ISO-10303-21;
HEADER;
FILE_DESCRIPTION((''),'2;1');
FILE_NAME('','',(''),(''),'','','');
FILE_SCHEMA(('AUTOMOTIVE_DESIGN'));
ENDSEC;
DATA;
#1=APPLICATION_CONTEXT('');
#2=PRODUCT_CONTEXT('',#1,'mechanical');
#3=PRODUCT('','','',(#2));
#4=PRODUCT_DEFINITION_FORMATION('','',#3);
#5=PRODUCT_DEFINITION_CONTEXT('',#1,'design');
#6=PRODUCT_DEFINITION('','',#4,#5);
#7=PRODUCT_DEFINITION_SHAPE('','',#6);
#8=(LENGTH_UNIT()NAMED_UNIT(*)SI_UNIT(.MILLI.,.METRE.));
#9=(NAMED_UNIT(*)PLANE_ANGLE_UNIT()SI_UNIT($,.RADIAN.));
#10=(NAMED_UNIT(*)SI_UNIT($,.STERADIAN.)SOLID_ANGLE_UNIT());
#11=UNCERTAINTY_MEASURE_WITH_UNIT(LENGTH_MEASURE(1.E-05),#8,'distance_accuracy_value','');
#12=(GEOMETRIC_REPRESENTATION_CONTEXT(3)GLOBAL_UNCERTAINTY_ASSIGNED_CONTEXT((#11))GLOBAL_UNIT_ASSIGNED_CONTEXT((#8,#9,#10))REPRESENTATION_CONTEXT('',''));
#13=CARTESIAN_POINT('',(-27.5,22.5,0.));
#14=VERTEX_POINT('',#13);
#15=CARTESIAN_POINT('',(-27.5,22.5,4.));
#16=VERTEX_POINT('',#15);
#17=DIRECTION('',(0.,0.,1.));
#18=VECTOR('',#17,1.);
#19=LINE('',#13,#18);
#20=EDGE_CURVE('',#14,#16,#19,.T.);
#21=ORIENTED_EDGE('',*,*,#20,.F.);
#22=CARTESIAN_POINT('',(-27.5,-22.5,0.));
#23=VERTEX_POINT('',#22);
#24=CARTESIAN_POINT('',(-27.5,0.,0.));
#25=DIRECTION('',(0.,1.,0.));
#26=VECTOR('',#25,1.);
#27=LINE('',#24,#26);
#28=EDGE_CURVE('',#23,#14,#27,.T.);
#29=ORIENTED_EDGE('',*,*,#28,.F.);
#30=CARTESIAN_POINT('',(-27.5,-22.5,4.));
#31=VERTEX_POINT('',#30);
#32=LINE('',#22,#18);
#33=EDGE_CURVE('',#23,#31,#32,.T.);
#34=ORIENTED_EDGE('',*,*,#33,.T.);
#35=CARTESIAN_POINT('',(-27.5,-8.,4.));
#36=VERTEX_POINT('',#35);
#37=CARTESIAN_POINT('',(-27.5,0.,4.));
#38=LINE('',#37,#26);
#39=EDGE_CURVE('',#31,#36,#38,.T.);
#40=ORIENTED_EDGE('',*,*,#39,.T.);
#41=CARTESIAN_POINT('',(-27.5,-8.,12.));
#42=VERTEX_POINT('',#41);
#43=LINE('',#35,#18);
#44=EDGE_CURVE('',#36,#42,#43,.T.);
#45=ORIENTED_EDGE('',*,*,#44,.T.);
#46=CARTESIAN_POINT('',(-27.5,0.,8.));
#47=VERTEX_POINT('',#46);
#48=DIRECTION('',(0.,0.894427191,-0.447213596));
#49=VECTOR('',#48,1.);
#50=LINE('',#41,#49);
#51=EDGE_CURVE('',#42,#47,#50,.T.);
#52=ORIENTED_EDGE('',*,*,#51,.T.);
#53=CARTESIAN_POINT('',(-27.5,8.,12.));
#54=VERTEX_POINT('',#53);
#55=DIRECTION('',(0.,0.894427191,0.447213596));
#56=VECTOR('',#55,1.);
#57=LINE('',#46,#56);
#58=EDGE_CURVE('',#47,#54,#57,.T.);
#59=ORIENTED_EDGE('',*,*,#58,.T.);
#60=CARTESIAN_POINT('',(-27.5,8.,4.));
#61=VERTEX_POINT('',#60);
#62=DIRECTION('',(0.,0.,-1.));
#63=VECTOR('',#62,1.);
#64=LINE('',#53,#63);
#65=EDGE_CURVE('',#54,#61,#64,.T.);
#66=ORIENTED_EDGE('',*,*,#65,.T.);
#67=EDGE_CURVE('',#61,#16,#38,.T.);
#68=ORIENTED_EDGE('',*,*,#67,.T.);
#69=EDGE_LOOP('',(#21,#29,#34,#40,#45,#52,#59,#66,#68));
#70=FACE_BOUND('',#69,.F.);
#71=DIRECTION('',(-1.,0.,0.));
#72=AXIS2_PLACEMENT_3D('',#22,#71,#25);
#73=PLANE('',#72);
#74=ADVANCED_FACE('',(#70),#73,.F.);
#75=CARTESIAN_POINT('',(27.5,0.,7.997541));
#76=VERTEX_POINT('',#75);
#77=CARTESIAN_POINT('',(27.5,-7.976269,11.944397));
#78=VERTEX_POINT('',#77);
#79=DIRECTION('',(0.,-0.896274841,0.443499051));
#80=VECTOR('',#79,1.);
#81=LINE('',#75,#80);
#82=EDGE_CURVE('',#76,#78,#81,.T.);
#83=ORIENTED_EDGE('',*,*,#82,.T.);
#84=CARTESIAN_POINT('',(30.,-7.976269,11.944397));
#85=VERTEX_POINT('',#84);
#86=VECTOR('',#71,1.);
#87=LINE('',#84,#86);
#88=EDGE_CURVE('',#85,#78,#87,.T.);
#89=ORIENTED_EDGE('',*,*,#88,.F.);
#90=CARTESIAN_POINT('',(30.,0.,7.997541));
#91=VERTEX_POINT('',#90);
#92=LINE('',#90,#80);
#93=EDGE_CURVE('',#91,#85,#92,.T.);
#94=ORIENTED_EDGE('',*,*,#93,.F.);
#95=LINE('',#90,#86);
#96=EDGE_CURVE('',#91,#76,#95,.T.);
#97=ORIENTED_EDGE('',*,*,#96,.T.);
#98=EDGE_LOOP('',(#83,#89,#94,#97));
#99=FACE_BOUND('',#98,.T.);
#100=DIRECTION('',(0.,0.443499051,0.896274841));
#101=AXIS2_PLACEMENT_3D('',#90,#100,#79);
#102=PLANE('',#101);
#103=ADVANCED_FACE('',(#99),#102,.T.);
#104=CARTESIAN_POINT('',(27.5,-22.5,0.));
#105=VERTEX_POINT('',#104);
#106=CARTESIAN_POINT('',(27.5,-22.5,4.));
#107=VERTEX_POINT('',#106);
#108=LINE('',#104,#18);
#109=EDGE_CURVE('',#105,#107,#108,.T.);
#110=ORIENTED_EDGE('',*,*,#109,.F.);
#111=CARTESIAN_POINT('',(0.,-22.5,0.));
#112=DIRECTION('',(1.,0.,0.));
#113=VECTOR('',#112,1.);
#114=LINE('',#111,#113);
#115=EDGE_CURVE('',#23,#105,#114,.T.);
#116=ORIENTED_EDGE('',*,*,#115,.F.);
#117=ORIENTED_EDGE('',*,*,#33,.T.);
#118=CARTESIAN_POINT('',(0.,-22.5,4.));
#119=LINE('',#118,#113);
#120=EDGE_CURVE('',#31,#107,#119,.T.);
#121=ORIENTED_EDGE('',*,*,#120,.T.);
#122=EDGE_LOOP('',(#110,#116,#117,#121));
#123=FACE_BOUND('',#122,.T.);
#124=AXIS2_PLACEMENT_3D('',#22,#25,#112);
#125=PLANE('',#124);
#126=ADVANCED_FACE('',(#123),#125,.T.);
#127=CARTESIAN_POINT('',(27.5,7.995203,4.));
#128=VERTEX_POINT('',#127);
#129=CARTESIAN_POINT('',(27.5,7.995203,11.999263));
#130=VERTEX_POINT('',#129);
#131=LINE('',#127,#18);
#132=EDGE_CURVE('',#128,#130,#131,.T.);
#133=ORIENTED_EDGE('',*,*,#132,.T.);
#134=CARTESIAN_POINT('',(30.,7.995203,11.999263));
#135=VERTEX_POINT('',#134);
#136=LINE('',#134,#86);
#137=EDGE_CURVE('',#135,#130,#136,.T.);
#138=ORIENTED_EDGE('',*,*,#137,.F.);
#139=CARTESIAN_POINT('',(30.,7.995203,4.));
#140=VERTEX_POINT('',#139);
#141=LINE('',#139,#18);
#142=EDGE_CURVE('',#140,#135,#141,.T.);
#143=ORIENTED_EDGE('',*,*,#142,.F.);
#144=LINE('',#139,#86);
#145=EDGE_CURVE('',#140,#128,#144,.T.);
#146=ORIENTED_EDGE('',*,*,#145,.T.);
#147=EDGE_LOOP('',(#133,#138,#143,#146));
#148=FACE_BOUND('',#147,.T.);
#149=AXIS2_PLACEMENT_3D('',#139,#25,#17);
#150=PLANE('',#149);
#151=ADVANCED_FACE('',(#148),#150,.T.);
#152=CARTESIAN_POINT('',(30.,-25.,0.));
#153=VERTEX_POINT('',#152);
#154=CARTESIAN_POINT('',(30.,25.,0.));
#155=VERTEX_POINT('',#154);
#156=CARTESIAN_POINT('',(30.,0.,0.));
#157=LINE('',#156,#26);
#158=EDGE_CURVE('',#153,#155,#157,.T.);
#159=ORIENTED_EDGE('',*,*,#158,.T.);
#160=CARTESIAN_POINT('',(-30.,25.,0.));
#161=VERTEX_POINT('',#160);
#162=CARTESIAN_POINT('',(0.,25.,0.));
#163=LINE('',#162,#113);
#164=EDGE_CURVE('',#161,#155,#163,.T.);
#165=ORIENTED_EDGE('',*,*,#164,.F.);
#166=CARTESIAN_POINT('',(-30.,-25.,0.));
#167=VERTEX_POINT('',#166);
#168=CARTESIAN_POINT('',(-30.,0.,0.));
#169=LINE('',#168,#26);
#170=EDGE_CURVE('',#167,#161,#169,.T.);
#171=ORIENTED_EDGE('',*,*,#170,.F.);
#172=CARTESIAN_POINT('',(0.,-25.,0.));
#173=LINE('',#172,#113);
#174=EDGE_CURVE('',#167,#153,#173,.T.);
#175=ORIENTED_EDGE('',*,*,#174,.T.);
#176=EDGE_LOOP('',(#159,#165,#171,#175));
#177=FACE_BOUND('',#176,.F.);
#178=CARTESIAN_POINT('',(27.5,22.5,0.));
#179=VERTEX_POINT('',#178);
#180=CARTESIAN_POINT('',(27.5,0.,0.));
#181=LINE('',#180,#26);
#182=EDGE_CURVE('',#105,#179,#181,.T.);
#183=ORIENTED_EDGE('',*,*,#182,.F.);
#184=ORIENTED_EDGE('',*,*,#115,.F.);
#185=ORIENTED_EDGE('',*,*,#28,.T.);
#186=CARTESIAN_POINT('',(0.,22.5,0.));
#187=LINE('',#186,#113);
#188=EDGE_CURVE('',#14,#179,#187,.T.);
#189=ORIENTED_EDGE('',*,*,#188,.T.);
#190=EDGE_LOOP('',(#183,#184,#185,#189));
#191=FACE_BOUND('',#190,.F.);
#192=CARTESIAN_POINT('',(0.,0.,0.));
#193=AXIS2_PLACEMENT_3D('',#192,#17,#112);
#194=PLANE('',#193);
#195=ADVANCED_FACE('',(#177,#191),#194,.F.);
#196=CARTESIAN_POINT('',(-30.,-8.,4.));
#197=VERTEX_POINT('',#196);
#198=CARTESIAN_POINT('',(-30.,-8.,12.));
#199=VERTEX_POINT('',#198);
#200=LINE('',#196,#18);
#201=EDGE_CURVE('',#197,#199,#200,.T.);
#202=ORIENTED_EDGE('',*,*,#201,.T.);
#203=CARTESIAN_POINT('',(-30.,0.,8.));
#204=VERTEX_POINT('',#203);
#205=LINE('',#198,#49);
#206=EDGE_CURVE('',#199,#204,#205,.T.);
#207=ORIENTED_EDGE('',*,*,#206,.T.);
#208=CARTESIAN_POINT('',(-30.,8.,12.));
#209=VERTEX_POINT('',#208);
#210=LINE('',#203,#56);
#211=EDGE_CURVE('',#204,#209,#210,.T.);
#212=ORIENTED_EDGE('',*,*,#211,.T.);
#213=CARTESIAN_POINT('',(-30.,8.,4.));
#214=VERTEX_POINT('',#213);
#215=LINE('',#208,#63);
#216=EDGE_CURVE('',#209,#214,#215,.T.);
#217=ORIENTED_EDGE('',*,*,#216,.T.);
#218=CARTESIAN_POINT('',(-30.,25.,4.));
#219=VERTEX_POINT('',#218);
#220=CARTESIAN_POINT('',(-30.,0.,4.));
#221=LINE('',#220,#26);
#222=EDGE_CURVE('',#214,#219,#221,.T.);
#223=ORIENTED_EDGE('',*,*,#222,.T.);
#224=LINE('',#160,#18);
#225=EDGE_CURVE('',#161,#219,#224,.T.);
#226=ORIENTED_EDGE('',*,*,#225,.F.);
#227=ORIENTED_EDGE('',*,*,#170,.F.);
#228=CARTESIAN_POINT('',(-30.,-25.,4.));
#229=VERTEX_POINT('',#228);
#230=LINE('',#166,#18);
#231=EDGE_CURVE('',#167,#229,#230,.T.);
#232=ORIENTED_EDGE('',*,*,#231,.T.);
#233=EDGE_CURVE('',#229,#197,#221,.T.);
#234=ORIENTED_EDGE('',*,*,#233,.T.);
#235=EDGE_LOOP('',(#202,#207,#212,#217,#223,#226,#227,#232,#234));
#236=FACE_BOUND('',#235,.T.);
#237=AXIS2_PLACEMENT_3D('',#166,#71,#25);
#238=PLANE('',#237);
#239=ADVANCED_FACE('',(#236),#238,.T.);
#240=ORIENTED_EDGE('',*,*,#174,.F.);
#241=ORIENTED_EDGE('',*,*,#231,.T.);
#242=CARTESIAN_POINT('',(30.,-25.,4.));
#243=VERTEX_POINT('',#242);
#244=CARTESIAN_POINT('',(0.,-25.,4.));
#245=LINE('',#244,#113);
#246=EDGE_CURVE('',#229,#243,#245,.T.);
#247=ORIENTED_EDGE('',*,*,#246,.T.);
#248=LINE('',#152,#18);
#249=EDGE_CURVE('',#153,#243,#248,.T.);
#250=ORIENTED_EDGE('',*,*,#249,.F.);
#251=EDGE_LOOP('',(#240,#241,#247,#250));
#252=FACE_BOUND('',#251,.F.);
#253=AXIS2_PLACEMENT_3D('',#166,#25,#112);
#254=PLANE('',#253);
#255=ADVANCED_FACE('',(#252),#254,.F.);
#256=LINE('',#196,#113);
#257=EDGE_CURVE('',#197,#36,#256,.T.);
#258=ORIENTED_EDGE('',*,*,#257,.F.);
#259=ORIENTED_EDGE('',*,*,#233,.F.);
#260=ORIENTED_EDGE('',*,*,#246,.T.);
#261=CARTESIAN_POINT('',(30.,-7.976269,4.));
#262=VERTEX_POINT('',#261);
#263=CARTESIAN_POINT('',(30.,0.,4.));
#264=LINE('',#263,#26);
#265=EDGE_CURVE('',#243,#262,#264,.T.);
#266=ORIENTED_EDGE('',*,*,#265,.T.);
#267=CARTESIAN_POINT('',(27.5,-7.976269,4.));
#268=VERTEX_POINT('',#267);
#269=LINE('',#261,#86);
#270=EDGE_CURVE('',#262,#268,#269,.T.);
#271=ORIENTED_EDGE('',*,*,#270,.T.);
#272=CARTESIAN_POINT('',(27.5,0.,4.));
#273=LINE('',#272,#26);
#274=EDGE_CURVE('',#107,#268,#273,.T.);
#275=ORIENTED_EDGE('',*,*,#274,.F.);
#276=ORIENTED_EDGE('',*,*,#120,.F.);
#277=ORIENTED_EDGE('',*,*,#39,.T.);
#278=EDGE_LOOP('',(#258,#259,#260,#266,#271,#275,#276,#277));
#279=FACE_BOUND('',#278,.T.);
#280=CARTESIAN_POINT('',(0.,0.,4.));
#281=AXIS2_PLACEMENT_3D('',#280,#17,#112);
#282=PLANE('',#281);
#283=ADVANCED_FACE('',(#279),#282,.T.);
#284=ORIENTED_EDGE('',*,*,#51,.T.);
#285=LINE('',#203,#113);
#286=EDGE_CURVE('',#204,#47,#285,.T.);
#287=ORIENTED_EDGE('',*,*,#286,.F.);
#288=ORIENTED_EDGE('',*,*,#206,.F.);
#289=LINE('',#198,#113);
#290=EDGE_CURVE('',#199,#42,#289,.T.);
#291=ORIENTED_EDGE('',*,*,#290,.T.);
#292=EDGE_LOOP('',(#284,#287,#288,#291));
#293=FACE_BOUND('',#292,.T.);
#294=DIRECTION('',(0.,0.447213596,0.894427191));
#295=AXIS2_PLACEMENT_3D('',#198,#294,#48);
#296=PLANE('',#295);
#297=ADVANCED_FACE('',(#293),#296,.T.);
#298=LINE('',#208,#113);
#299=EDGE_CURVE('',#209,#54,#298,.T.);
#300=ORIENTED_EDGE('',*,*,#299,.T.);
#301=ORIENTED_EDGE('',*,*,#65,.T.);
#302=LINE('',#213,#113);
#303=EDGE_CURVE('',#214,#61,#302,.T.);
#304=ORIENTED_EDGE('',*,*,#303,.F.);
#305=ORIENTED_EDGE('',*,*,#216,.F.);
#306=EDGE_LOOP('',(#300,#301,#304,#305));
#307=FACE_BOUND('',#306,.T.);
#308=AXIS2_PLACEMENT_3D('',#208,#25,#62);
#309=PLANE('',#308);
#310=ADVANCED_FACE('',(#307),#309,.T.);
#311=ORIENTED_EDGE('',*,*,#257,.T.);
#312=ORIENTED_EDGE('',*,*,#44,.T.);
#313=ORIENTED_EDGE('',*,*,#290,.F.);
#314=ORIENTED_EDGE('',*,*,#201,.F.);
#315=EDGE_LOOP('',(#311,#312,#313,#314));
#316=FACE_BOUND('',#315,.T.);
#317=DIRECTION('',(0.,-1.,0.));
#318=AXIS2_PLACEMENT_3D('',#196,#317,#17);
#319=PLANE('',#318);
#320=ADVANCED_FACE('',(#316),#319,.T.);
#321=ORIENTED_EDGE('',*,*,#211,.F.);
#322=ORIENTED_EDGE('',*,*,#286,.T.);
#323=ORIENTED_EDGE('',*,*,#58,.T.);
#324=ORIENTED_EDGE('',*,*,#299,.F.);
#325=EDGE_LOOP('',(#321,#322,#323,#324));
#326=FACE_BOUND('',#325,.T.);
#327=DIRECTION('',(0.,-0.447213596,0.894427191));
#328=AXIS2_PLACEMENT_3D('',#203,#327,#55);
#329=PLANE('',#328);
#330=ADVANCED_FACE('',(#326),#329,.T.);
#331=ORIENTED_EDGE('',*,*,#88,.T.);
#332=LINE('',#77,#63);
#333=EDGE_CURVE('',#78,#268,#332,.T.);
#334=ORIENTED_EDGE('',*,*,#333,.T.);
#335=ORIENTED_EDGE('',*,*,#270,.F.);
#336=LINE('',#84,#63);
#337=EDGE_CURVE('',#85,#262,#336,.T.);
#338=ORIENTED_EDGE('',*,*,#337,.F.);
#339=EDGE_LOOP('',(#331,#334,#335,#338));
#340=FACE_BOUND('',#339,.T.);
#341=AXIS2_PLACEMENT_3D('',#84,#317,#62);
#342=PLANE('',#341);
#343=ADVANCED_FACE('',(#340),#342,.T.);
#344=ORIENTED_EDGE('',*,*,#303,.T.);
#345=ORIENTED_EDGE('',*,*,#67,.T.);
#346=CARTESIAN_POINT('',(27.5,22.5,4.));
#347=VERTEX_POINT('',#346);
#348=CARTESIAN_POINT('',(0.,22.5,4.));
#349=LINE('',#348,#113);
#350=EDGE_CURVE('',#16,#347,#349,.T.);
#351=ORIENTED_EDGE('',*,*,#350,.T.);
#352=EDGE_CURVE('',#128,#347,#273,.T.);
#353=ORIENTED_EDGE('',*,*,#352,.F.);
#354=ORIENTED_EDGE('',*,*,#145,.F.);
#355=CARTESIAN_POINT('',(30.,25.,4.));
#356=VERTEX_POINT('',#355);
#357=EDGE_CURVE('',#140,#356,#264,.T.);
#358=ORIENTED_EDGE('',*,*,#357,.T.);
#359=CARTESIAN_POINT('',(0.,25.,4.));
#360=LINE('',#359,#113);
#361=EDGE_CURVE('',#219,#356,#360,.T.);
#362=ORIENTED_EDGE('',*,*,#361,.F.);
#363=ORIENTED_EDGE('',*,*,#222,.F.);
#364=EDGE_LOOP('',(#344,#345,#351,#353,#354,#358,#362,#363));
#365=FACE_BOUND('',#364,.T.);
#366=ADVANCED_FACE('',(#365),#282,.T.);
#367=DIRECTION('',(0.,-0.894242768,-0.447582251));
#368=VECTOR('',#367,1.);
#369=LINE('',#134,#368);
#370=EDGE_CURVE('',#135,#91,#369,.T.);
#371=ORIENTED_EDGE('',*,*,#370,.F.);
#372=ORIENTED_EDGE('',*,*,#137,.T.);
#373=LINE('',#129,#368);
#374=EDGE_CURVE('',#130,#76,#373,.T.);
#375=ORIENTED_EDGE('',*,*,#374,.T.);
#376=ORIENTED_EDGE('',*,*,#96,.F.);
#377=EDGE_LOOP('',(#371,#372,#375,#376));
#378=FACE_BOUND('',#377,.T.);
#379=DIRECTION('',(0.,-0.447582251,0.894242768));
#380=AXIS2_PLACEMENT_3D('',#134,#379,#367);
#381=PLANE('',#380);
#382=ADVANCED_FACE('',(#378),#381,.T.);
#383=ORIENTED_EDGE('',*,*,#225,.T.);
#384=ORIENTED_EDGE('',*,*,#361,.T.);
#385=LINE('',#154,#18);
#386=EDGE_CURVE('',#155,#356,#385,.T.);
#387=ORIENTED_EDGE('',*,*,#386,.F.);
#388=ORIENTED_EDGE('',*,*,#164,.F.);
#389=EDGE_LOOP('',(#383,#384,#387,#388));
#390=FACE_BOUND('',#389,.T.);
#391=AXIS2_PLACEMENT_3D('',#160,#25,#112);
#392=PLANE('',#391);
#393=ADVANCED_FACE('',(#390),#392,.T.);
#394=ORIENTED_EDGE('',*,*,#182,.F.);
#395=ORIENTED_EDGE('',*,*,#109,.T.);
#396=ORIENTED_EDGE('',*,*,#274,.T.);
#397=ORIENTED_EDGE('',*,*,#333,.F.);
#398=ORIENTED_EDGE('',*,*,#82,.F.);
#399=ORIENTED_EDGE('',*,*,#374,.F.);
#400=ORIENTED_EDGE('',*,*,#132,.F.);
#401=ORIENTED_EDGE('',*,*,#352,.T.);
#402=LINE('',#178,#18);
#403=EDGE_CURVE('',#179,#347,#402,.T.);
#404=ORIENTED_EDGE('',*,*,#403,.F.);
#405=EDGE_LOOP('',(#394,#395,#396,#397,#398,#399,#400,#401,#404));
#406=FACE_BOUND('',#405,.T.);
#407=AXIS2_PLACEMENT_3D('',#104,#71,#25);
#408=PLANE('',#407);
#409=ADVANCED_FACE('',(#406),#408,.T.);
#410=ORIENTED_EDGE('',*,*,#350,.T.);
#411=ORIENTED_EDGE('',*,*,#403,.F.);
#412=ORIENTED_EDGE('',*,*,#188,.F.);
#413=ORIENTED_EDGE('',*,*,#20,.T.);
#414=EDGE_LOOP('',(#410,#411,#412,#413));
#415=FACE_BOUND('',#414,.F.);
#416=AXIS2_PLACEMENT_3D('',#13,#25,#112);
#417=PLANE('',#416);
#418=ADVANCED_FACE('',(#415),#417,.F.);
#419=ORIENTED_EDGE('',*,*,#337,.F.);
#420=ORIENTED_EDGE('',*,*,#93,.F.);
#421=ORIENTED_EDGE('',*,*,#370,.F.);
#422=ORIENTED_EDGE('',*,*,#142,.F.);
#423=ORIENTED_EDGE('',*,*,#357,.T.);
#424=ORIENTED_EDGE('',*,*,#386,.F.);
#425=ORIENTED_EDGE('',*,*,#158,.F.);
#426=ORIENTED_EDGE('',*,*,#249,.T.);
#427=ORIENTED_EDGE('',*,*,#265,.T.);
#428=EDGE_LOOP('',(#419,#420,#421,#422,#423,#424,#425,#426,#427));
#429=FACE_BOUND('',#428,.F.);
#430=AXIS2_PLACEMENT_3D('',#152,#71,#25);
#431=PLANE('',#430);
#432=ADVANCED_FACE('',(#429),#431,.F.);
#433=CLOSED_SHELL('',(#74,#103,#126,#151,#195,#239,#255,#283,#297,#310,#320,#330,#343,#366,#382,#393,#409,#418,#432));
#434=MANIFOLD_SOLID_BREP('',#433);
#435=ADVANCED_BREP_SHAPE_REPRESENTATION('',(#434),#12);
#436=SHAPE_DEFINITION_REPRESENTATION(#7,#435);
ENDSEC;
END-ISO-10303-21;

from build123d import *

# Parameters (mm, degrees)
F0_W     = 60
F0_H     = 50
F0_W_2   = 55
F0_H_2   = 45
F1_DEPTH = 4
F3_DEPTH = 2.5
F5_DEPTH = 2.5


with BuildPart() as f1:
    # F0 (on Top) → F1 (new body)
    with BuildSketch(Plane.XY):
        Rectangle(F0_W, F0_H)
        Rectangle(F0_W_2, F0_H_2, mode=Mode.SUBTRACT)
    extrude(amount=F1_DEPTH)

    # F2 (on face) → F3 (join)
    with BuildSketch(Plane(origin=(-30, 0, 0), x_dir=(0, -1, 0), z_dir=(-1, 0, 0))):
        Polygon((-8, 12), (-8, 4), (8, 4), (8, 12), (0, 8), align=None)
    extrude(amount=-F3_DEPTH)

    # F4 (on face) → F5 (join)
    with BuildSketch(Plane.YZ.offset(30)):
        Polygon((-7.976269, 11.944397), (-7.976269, 4), (7.995203, 4), (7.995203, 11.999263), (0, 7.997541), align=None)
    extrude(amount=-F5_DEPTH)


solid = f1.part
